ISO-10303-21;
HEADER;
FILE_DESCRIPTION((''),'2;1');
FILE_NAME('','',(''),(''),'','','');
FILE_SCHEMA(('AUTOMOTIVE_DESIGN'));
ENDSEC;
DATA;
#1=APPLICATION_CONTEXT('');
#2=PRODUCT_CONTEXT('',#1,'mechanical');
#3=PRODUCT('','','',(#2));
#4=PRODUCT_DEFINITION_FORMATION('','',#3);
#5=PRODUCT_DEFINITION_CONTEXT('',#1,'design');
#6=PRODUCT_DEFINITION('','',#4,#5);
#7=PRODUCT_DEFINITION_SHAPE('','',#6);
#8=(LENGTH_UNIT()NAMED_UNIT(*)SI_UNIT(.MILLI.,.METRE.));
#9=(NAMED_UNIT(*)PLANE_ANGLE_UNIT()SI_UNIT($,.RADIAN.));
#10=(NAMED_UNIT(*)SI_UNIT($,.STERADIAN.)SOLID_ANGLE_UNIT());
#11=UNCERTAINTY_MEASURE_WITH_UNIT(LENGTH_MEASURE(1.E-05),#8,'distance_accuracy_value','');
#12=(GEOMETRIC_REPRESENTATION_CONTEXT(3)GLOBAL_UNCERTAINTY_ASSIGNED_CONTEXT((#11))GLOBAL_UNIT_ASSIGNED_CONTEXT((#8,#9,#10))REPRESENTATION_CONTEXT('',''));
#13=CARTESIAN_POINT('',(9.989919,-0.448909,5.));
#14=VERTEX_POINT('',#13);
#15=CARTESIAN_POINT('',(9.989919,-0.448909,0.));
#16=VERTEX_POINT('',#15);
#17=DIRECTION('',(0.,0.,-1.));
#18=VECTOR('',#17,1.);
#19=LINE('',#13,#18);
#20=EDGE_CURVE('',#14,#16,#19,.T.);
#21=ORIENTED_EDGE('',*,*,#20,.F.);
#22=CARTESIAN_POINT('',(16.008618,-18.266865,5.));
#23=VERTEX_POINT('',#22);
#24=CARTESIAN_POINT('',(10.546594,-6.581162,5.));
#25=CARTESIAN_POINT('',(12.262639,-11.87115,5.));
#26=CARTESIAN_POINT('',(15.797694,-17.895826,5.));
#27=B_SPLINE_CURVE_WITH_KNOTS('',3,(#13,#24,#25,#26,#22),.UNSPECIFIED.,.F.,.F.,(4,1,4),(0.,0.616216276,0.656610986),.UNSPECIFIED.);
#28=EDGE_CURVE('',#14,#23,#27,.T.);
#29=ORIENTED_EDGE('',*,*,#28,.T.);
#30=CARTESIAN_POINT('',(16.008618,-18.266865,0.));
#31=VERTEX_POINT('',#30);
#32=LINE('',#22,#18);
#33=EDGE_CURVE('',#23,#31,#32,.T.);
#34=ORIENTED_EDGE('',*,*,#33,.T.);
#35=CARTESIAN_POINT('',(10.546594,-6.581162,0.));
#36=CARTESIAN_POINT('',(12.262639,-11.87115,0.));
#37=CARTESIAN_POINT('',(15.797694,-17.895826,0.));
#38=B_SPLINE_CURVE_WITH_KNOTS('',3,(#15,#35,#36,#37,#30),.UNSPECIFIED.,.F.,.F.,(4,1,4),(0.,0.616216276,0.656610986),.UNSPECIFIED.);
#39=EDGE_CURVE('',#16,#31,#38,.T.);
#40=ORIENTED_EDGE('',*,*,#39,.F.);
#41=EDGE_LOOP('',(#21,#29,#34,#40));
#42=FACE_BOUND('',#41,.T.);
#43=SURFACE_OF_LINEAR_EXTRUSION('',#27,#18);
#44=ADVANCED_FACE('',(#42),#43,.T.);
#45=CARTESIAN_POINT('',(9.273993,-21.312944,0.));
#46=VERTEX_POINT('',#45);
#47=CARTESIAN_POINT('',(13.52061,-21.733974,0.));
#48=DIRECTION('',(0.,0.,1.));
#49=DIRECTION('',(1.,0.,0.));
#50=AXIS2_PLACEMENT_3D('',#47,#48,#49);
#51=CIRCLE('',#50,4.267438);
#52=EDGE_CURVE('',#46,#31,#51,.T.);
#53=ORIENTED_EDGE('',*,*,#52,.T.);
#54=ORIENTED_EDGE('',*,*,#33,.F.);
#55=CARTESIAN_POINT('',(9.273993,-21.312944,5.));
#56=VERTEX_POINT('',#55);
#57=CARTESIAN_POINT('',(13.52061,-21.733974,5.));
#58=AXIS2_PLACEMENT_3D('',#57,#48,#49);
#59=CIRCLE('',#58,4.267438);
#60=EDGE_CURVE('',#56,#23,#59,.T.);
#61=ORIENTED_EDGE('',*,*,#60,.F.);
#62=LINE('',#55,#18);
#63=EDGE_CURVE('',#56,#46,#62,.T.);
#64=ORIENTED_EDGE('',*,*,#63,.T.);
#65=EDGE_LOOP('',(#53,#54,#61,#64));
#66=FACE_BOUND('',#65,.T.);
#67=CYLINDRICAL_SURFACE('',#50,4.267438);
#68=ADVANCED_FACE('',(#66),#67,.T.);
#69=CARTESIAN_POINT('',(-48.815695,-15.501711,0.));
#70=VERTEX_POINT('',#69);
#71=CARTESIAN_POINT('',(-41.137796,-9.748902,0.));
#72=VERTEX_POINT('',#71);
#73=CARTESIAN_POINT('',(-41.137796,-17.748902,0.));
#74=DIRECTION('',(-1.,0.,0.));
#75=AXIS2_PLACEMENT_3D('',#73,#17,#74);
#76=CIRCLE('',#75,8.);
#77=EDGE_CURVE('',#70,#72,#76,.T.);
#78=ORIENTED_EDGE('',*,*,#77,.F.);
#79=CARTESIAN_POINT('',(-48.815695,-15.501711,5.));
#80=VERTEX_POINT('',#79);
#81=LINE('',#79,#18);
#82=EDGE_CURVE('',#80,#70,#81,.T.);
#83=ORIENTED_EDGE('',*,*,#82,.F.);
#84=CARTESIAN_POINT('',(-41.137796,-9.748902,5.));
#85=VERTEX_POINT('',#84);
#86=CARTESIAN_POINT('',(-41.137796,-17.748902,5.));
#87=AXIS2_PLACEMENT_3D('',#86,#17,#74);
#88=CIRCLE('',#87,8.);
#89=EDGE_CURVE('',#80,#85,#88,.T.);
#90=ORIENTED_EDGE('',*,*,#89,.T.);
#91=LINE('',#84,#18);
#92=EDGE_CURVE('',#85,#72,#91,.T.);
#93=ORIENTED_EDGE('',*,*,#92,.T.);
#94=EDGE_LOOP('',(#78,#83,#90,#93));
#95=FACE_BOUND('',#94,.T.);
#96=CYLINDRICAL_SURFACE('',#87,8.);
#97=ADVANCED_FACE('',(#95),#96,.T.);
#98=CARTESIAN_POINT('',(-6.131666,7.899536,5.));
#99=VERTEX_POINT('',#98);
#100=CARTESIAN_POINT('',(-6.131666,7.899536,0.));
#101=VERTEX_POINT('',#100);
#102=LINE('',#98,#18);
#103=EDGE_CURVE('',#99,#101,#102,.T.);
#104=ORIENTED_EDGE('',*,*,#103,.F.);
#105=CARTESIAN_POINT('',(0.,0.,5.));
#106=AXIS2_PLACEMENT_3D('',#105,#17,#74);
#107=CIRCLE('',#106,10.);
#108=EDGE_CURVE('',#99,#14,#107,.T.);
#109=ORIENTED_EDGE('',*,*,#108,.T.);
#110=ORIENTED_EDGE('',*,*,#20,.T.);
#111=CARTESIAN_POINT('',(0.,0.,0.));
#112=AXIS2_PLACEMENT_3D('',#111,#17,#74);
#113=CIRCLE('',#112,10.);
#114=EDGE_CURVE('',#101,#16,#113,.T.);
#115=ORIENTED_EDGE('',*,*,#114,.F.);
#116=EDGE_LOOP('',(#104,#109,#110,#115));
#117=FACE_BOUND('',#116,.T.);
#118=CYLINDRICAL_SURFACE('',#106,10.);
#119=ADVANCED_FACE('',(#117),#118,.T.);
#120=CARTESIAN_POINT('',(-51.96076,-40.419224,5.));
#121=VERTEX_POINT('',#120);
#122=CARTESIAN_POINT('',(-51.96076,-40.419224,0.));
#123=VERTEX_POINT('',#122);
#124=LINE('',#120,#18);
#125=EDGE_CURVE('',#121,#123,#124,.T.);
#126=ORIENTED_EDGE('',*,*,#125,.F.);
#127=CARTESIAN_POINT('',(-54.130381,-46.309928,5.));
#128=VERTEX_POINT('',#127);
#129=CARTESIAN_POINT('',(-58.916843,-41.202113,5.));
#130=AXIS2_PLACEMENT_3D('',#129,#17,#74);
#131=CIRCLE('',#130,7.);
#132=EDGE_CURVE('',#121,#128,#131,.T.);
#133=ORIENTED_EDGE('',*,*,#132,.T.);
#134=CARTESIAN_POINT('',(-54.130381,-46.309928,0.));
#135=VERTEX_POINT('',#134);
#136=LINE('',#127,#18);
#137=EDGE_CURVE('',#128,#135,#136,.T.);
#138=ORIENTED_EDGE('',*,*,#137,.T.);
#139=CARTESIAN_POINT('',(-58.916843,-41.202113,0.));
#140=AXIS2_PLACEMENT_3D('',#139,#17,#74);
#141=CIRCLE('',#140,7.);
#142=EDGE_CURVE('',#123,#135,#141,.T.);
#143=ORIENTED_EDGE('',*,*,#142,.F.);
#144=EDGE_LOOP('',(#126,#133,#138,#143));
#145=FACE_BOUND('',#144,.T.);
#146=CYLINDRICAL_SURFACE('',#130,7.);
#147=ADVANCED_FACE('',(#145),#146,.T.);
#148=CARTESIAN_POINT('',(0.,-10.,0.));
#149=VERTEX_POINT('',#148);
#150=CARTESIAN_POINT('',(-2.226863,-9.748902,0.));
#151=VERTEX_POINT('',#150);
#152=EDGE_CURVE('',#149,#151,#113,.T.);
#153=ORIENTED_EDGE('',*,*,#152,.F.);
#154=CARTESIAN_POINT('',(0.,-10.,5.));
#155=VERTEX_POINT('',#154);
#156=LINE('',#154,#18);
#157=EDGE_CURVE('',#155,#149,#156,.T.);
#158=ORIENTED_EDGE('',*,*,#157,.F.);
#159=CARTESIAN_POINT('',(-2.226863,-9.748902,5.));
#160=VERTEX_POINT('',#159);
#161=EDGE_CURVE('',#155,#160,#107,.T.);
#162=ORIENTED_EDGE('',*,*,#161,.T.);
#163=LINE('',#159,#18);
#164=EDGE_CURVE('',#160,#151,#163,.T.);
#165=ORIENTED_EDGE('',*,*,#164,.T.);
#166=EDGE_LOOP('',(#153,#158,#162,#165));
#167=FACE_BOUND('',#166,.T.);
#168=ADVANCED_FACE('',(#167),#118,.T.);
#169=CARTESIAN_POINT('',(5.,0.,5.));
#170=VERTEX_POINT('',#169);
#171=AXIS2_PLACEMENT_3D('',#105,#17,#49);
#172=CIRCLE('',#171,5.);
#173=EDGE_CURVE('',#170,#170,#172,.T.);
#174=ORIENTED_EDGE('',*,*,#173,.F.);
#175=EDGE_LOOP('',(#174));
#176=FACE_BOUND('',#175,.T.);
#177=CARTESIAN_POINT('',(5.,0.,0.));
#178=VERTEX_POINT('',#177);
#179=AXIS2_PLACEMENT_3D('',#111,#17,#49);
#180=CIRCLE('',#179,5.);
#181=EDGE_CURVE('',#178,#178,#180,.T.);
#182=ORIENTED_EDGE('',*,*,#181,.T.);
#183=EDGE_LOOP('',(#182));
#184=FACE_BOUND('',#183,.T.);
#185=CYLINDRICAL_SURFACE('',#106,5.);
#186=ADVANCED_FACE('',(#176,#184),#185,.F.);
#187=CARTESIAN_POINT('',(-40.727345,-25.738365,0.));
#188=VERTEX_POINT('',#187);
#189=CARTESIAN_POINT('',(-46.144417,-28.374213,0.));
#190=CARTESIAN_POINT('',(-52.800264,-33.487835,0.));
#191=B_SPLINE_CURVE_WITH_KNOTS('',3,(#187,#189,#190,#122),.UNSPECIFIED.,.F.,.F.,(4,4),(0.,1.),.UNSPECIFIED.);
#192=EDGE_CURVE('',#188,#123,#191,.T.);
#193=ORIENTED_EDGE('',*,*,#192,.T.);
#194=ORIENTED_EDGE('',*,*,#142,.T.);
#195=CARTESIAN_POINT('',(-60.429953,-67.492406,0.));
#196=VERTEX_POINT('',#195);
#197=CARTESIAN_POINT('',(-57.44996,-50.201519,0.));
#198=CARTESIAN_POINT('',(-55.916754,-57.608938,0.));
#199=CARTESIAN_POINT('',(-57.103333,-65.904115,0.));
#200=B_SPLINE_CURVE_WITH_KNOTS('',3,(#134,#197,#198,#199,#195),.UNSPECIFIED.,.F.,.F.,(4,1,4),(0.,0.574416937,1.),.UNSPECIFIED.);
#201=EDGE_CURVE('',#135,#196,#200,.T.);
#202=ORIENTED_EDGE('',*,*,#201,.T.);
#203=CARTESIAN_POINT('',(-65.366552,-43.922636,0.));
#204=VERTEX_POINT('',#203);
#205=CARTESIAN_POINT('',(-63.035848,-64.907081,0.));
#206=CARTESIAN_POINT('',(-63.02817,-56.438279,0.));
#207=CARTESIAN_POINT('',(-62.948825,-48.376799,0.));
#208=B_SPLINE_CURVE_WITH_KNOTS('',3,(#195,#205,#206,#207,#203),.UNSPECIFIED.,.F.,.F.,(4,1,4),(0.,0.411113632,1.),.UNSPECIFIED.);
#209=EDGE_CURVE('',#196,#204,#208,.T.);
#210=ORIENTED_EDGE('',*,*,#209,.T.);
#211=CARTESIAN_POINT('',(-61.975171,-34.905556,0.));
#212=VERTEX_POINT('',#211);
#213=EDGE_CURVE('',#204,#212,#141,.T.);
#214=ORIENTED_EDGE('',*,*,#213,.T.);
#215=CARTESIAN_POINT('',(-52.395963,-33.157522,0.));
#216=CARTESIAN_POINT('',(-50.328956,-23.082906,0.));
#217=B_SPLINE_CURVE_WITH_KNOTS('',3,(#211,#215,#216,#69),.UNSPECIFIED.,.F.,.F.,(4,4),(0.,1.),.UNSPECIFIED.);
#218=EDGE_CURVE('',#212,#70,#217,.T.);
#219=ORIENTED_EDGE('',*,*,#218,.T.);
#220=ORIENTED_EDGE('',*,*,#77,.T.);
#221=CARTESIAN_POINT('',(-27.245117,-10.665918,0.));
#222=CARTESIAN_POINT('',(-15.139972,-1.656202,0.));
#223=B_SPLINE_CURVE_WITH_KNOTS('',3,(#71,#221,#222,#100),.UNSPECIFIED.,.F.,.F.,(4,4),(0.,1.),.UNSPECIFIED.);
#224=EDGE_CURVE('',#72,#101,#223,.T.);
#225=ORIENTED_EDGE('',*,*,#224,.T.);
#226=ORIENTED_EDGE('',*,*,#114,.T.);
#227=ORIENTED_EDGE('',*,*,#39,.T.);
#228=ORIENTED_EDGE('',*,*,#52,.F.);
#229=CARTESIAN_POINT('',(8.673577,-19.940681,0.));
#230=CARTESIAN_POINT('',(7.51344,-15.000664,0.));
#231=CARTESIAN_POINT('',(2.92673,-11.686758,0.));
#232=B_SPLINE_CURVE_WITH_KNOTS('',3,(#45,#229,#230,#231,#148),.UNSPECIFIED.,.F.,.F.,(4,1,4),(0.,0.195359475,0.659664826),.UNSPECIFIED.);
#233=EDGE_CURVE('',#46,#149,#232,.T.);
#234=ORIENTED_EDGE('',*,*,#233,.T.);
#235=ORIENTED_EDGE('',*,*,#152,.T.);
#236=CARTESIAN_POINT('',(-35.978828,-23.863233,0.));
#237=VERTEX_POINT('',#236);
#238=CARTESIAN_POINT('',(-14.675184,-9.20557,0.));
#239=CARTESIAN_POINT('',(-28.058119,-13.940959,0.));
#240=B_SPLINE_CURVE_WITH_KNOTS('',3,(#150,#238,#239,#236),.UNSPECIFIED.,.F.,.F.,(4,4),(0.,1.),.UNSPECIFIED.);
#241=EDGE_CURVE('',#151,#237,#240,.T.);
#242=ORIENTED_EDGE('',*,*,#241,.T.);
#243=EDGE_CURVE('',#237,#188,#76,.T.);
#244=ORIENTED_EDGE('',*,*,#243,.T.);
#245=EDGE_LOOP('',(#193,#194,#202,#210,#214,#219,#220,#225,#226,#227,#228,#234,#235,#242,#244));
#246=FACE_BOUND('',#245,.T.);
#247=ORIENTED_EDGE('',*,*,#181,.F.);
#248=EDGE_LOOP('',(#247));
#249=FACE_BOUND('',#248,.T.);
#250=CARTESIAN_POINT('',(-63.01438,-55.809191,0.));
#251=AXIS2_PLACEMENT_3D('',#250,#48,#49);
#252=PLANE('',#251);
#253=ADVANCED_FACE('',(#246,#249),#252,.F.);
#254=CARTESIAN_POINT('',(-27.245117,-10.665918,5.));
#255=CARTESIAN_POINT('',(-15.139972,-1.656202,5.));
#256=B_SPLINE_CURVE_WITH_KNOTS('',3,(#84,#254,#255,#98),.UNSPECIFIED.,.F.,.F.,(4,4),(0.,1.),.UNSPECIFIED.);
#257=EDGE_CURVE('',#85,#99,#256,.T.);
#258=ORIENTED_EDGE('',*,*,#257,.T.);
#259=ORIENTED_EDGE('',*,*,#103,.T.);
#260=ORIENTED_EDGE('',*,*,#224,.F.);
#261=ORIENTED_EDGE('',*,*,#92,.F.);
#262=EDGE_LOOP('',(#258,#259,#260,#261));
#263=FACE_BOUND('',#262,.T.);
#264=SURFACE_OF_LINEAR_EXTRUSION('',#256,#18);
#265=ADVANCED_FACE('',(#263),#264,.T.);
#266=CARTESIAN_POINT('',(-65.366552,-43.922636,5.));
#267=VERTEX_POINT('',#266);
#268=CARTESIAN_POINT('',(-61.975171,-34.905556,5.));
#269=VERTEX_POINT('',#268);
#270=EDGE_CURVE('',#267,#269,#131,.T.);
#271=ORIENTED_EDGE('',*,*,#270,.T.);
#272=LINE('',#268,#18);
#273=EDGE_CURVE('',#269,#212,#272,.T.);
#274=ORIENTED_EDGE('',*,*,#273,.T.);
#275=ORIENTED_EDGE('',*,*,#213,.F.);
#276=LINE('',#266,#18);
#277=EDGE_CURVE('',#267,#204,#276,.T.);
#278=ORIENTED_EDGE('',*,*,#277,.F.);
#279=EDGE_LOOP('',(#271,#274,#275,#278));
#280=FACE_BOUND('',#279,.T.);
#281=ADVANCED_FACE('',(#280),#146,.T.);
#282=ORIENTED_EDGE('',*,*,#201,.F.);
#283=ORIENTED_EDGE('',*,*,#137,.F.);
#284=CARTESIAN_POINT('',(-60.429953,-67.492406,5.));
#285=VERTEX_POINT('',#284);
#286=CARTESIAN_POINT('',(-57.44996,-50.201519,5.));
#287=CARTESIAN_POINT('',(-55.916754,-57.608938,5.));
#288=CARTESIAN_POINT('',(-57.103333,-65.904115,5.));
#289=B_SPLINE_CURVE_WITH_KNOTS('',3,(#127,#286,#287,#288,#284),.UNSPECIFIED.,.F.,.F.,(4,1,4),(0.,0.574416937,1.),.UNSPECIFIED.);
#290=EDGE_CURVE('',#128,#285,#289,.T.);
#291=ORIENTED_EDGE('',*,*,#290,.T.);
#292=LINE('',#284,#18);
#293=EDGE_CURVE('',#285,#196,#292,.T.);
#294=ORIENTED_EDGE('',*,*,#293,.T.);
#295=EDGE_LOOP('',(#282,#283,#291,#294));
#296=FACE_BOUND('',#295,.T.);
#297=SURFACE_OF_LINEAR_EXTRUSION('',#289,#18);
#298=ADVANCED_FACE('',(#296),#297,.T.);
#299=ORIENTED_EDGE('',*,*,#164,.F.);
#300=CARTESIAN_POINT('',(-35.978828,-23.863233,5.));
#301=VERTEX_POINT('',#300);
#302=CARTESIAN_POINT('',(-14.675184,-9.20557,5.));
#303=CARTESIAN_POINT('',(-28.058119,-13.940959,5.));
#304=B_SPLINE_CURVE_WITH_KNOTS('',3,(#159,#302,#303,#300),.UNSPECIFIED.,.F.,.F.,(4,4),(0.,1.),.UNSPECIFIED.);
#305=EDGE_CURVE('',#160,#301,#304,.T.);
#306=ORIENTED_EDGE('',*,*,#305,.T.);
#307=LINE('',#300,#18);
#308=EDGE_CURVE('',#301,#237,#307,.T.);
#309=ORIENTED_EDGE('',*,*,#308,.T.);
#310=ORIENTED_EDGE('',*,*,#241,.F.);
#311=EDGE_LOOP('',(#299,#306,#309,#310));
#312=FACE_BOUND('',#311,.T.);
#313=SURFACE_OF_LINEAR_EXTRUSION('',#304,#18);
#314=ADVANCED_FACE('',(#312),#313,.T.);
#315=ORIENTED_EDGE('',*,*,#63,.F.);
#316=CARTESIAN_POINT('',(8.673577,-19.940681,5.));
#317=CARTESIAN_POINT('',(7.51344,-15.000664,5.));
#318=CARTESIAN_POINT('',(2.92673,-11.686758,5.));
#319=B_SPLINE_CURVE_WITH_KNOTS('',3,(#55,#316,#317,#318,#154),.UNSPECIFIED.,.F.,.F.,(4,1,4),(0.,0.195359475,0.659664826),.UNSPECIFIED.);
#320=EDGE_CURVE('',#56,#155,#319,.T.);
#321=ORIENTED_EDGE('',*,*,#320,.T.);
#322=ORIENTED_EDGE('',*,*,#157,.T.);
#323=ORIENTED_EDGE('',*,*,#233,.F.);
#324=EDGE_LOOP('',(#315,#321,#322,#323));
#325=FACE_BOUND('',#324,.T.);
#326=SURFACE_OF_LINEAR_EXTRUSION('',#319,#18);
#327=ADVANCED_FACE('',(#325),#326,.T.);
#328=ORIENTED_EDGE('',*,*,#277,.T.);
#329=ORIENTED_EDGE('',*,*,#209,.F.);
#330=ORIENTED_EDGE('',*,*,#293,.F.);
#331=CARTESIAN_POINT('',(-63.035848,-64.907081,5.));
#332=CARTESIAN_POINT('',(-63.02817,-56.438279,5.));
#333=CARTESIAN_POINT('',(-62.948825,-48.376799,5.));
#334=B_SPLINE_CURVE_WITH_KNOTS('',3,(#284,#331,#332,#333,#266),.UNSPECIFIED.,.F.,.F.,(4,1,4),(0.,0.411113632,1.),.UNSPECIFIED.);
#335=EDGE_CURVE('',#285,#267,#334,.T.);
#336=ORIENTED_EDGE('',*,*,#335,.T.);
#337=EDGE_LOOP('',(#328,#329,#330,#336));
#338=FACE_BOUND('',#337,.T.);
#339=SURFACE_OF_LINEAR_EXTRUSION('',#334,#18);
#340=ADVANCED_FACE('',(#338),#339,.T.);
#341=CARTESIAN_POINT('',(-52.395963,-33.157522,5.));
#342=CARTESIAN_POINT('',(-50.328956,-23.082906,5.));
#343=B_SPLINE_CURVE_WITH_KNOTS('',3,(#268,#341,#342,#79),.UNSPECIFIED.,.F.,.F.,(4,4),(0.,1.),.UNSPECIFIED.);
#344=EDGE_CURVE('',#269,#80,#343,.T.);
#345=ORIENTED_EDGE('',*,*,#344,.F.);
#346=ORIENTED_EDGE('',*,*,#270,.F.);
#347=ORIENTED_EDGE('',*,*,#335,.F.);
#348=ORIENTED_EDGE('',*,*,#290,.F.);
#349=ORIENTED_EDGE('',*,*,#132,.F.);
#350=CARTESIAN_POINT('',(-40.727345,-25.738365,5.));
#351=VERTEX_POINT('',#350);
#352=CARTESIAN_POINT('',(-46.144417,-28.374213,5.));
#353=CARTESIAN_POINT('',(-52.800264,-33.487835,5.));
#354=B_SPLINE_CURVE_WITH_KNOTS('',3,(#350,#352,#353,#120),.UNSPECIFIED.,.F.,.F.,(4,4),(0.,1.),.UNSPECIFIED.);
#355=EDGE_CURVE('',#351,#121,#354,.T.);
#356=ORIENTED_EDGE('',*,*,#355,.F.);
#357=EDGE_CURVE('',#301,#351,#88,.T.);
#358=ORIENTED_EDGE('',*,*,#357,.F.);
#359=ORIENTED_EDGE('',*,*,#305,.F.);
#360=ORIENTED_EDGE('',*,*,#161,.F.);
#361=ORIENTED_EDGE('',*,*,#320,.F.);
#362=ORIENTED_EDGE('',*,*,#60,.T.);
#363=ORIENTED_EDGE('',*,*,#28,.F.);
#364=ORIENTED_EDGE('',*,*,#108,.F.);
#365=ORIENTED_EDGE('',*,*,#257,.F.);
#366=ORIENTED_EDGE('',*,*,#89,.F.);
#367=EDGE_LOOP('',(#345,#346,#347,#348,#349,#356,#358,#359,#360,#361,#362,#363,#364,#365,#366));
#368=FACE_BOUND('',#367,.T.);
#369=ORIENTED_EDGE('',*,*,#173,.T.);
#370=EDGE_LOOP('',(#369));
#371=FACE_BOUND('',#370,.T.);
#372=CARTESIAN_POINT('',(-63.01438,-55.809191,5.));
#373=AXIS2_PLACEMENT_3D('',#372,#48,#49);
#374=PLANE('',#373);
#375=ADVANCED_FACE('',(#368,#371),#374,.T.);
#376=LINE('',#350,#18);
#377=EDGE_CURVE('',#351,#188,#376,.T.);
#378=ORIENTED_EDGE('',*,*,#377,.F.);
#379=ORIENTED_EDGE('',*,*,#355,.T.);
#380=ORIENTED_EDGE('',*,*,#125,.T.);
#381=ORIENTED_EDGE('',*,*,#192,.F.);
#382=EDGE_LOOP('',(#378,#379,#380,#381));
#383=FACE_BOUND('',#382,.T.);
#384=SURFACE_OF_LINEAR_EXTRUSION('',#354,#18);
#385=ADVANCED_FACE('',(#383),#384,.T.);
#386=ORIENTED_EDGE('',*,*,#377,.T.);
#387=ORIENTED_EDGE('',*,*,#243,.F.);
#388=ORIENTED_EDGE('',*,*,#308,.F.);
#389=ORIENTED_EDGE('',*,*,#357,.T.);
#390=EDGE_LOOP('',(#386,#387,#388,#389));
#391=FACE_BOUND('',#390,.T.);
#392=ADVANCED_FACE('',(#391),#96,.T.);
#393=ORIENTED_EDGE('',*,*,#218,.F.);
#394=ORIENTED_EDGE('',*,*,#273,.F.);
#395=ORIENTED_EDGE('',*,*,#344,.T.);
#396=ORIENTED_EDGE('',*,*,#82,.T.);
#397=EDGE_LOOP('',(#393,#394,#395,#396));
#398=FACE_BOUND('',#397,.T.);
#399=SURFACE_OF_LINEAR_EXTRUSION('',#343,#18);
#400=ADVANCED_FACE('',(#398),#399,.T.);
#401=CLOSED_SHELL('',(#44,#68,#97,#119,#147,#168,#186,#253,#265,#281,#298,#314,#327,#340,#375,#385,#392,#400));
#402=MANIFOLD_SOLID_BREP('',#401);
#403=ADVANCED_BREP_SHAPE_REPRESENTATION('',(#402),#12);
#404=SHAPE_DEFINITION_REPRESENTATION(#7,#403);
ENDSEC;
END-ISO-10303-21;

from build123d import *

# Parameters (mm, degrees)
CROQUIS1_R              = 5.000000002
SALIENTE_EXTRUIR1_DEPTH = 5
SALIENTE_EXTRUIR2_START = -5
CROQUIS2_R              = 4.26743785
SALIENTE_EXTRUIR2_DEPTH = 5


with BuildPart() as part:
    # Croquis1 → Saliente-Extruir1 (new body)
    with BuildSketch(Plane(origin=(0, 0, 0), x_dir=(-1, 0, 0), z_dir=(0, 0, -1))):
        with BuildLine():
            ThreePointArc((65.366552273, -43.922636472), (65.468760949, -38.737894565), (61.975170701, -34.905555535))
            add(Edge.make_bspline(
                [(48.815695063, -15.501711479), (50.328955685, -23.082906451), (52.395963263, -33.157522067), (61.975170701, -34.905555535)],
                knots=[0, 0, 0, 0, 1, 1, 1, 1], degree=3))
            ThreePointArc((48.815695063, -15.501711479), (45.934799024, -11.346655018), (41.137795802, -9.748901511))
            add(Edge.make_bspline(
                [(6.131666021, 7.899536167), (15.139972032, -1.656202419), (27.24511665, -10.665918482), (41.137795802, -9.748901511)],
                knots=[0, 0, 0, 0, 1, 1, 1, 1], degree=3))
            ThreePointArc((6.131666021, 7.899536167), (-4.598441285, 8.879996497), (-9.989918973, -0.448908775))
            add(Edge.make_bspline(
                [(-16.008618179, -18.26686517), (-15.797694107, -17.895825564), (-12.262638843, -11.871150313), (-10.546593735, -6.581162345), (-9.989918973, -0.448908775)],
                knots=[0, 0, 0, 0, 0.04039471, 0.656610986, 0.656610986, 0.656610986, 0.656610986], degree=3))
            ThreePointArc((-16.008618179, -18.26686517), (-11.761967136, -17.845761098), (-9.273993033, -21.312944188))
            add(Edge.make_bspline(
                [(-9e-09, -10.000000002), (-2.926729974, -11.686757621), (-7.513439547, -15.000663628), (-8.673577005, -19.940680978), (-9.273993033, -21.312944188)],
                knots=[0, 0, 0, 0, 0.464305351, 0.659664826, 0.659664826, 0.659664826, 0.659664826], degree=3))
            ThreePointArc((-9e-09, -10.000000002), (1.120487591, -9.937027099), (2.22686312, -9.748901509))
            add(Edge.make_bspline(
                [(35.978828296, -23.863233377), (28.058119493, -13.940958986), (14.675184196, -9.205569704), (2.22686312, -9.748901509)],
                knots=[0, 0, 0, 0, 1, 1, 1, 1], degree=3))
            ThreePointArc((35.978828296, -23.863233377), (38.199491242, -25.189759407), (40.727345447, -25.738365226))
            add(Edge.make_bspline(
                [(51.96076037, -40.419223819), (52.800264101, -33.487834784), (46.144416797, -28.374213166), (40.727345447, -25.738365226)],
                knots=[0, 0, 0, 0, 1, 1, 1, 1], degree=3))
            ThreePointArc((51.96076037, -40.419223819), (52.348210074, -43.621422867), (54.130381087, -46.309928491))
            add(Edge.make_bspline(
                [(60.429953363, -67.492405783), (57.103333259, -65.904114864), (55.916753892, -57.608938241), (57.449959784, -50.201518935), (54.130381087, -46.309928491)],
                knots=[0, 0, 0, 0, 0.425583063, 1, 1, 1, 1], degree=3))
            add(Edge.make_bspline(
                [(65.366552273, -43.922636472), (62.948824726, -48.37679887), (63.028170153, -56.438278724), (63.035847799, -64.90708051), (60.429953363, -67.492405783)],
                knots=[0, 0, 0, 0, 0.588886368, 1, 1, 1, 1], degree=3))
        make_face()
        with Locations(Location((-9e-09, -2e-09, 0), (0, 0, 180))):
            Circle(CROQUIS1_R, mode=Mode.SUBTRACT)
    extrude(amount=-SALIENTE_EXTRUIR1_DEPTH)

    # Croquis2 → Saliente-Extruir2 (add)
    with BuildSketch(Plane.XY.offset(5).offset(SALIENTE_EXTRUIR2_START)):
        with Locations((13.520610478, -21.733973978)):
            Circle(CROQUIS2_R)
    extrude(amount=SALIENTE_EXTRUIR2_DEPTH)


solid = part.part
